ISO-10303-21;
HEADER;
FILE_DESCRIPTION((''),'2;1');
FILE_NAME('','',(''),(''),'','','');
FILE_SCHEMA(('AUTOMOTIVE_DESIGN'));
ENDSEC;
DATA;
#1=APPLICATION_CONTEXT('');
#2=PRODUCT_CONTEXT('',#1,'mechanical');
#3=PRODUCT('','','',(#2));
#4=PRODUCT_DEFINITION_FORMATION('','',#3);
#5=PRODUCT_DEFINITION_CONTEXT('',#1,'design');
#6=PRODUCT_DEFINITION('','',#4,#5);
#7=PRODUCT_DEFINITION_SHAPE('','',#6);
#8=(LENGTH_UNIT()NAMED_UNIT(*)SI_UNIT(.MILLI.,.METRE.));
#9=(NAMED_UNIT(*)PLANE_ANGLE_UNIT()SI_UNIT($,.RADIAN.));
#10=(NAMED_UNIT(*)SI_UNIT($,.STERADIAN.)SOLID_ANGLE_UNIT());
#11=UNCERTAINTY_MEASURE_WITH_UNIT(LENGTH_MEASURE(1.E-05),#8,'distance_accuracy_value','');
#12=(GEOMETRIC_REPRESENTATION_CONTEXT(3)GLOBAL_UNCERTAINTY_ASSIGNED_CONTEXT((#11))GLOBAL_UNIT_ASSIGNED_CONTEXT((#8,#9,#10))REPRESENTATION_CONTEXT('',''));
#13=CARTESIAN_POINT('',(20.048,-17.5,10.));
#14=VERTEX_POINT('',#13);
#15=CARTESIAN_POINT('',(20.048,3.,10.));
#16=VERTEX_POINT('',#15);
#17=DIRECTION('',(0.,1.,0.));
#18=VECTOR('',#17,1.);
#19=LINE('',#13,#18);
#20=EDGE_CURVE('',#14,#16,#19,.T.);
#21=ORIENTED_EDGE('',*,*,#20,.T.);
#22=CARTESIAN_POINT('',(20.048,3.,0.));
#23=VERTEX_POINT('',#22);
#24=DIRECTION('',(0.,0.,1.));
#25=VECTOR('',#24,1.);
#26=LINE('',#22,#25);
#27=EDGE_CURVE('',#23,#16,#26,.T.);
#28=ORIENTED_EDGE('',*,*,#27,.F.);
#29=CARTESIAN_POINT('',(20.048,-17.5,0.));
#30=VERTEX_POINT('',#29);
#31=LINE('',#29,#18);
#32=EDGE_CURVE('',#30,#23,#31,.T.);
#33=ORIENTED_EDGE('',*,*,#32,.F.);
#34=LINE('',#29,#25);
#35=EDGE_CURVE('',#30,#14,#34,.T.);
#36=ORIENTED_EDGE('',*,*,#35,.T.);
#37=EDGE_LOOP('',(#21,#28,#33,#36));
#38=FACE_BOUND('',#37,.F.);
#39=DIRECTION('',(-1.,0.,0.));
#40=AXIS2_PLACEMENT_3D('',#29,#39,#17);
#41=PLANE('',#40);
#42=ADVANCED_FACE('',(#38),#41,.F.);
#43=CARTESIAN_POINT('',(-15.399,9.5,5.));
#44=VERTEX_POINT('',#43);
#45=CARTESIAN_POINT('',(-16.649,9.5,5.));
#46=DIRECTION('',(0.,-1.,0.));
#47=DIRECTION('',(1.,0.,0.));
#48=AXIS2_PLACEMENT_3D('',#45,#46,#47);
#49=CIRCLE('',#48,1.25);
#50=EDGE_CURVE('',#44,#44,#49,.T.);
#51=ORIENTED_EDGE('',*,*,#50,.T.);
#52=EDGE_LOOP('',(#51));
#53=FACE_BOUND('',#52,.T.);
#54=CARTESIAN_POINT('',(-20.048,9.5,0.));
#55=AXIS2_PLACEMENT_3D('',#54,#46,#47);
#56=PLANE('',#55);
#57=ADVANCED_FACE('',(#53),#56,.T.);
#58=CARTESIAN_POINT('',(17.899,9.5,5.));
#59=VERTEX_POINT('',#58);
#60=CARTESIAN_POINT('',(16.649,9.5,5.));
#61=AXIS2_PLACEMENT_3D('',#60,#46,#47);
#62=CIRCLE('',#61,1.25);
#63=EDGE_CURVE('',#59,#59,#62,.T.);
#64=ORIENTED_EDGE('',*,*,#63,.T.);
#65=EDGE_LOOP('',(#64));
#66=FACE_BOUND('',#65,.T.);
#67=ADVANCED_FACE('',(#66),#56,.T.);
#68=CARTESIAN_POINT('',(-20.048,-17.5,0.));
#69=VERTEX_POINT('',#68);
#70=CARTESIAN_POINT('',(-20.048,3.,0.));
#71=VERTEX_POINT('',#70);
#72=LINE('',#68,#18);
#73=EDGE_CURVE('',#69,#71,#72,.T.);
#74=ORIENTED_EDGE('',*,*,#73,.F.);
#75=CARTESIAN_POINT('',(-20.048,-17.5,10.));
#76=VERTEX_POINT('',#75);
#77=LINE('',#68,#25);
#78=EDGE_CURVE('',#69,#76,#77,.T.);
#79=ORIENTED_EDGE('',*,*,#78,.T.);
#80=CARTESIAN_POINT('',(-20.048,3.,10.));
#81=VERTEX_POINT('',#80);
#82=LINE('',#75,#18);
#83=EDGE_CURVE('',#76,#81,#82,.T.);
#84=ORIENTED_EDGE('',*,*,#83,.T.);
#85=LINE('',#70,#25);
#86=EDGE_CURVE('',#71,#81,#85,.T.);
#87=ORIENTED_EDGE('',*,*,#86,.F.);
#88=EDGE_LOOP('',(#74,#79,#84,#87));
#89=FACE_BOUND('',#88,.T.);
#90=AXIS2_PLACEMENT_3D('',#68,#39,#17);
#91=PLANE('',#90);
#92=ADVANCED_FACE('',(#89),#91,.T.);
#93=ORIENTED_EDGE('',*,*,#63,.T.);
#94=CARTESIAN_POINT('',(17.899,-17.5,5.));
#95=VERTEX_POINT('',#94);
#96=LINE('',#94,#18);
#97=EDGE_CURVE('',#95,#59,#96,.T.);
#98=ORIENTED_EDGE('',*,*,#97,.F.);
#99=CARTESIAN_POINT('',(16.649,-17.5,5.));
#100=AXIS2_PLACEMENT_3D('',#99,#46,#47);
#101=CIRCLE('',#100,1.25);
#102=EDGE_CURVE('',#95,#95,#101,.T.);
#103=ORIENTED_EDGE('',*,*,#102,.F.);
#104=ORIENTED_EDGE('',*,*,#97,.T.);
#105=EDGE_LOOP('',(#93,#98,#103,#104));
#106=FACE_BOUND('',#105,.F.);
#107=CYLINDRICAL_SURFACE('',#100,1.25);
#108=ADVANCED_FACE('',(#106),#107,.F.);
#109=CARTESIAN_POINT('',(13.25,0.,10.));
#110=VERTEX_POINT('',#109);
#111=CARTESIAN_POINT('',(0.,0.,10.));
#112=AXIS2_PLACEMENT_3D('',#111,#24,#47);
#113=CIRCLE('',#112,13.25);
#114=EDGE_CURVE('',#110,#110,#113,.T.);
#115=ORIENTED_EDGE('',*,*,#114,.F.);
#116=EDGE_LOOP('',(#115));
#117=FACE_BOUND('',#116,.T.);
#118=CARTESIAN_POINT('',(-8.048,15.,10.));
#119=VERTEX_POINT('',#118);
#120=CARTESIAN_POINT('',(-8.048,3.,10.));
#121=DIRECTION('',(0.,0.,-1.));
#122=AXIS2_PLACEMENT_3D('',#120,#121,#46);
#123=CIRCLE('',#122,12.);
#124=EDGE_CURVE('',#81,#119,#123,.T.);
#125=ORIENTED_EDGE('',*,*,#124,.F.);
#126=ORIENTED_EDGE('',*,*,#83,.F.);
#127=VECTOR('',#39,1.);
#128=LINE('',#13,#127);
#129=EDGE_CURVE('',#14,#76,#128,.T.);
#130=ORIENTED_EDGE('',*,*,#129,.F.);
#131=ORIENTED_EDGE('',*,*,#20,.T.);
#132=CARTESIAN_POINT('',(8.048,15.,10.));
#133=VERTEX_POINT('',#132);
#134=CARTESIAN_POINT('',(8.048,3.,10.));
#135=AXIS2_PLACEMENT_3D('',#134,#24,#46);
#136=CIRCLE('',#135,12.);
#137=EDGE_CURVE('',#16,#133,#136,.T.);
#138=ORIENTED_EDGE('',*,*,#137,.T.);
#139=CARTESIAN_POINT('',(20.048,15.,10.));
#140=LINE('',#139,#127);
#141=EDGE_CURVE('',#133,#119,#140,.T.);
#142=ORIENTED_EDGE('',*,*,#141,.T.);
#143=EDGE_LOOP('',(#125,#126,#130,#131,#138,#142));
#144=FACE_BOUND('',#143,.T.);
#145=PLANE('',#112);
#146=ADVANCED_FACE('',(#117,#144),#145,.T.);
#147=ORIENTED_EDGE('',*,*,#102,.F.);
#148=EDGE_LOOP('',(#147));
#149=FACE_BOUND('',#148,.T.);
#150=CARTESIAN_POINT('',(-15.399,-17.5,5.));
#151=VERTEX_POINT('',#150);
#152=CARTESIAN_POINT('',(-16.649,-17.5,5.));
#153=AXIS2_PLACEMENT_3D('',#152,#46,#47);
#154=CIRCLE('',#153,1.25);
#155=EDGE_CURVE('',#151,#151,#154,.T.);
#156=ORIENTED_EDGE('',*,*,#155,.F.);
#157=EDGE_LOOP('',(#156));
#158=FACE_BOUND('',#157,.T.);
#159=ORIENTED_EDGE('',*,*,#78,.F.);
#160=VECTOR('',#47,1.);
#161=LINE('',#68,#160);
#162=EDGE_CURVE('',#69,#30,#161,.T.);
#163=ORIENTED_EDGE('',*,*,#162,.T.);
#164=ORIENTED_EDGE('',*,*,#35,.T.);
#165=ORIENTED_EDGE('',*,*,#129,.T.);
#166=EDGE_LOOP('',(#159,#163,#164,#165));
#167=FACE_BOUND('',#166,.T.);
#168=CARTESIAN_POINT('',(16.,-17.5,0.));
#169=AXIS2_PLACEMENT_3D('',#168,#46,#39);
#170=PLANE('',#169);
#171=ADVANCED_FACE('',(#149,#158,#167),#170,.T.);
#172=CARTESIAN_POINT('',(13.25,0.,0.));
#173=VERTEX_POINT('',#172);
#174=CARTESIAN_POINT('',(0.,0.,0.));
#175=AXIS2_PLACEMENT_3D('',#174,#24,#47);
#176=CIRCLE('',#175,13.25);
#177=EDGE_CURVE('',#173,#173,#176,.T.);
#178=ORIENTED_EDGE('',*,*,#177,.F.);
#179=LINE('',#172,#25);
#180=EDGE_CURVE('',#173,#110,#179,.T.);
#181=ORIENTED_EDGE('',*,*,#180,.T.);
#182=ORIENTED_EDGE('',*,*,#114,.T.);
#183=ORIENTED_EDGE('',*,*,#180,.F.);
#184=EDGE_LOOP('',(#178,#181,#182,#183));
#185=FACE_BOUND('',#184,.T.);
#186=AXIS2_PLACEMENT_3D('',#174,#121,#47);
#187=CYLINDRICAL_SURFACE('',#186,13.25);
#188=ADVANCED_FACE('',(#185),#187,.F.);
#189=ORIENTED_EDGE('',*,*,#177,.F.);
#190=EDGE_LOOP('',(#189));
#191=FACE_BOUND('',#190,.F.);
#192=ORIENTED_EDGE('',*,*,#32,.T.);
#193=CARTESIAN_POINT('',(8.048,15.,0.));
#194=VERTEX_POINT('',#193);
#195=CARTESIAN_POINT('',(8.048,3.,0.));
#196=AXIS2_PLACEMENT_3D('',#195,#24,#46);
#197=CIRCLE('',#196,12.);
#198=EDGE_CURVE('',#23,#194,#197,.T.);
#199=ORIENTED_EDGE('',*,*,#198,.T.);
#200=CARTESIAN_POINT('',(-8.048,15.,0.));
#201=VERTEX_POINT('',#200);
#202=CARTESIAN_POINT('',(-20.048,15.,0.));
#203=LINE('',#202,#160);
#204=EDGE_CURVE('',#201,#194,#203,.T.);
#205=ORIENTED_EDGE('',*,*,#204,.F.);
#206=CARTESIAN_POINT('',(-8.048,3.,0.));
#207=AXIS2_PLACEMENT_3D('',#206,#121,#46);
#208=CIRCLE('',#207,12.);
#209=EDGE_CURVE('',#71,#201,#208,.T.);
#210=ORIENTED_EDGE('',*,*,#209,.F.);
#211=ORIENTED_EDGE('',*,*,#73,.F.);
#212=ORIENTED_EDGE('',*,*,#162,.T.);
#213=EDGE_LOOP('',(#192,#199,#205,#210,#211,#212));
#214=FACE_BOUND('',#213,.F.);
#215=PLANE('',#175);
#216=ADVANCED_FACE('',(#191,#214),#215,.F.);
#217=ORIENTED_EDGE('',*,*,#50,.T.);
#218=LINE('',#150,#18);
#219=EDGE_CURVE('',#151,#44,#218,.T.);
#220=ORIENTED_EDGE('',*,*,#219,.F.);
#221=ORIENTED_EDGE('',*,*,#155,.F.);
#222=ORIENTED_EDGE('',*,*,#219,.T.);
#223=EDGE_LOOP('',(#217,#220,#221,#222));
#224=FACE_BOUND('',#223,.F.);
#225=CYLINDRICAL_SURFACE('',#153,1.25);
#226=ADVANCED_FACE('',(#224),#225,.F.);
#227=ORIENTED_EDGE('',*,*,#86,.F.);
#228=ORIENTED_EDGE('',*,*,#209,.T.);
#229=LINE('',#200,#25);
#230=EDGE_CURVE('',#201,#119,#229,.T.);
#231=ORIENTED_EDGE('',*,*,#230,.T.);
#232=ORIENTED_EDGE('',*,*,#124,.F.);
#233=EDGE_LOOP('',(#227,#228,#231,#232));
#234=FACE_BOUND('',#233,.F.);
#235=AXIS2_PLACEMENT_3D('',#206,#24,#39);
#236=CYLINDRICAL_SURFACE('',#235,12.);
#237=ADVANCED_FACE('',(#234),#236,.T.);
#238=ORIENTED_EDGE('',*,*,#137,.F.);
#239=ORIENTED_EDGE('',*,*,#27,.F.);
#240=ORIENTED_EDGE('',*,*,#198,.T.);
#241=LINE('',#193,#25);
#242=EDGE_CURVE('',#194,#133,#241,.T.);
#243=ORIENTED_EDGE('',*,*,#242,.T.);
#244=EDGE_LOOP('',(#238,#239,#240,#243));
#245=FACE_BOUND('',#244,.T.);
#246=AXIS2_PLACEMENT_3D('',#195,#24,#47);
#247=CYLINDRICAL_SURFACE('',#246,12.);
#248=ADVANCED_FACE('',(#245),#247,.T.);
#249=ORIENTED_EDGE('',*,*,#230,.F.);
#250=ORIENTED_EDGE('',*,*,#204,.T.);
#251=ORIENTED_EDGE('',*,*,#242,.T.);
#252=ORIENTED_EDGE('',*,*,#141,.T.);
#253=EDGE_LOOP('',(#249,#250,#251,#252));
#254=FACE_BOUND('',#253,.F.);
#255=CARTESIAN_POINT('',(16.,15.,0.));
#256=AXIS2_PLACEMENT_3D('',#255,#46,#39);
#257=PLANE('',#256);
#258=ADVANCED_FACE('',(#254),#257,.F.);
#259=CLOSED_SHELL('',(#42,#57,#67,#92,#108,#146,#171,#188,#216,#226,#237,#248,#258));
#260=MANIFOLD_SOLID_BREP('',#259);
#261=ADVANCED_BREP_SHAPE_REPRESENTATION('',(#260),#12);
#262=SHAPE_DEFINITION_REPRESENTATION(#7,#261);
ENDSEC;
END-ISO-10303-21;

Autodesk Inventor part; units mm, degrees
ref_plane "YZ Plane" through (0, 0, 0) normal (1, 0, 0) x (0, 1, 0)
ref_plane "XZ Plane" through (0, 0, 0) normal (0, 1, 0) x (-1, 0, 0)
ref_plane "XY Plane" through (0, 0, 0) normal (0, 0, 1) x (1, 0, 0)
sketch "Sketch1" plane through (0, 0, 0) normal (0, 0, 1) x (1, 0, 0)
  line L0 (16, -17.5) -> (16, 15)
  line L1 (-16, 15) -> (-16, -17.5)
  circle A0 centre (0, 0) radius 13.25
  line L2 (16, -17.5) -> (-16, -17.5)
  line L3 (-16, -17.5) -> (-16, 15)
  line L4 (16, 15) -> (-16, 15)
  dimension "d2" = 26.5
  dimension "d4" = 17.5
  dimension "d5" = 32.5
extrude "Extrusion1" add sketch "Sketch1" along normal blind 10
sketch "Sketch2" plane through (0, 0, 0) normal (0, 0, -1) x (-1, 0, 0)
  point P0 (0, 0)
sketch "Sketch3" plane through (0, 0, 0) normal (0, 0, -1) x (-1, 0, 0)
  line L0 (16, 15) -> (16, -17.5) projected
  line L1 (17.8498, -17.5) -> (20.048, -17.5)
  line L2 (20.048, -17.5) -> (20.048, 15)
  line L3 (20.048, 15) -> (16, 15)
  line L4 (-16, 15) -> (16, 15) projected
  line L5 (16, -17.5) -> (16, 15)
  line L6 (0, 0) -> (0, 7.3422)
  line L7 (-16, 15) -> (-16, -17.5)
  line L8 (-17.8498, -17.5) -> (-20.048, -17.5)
  line L9 (-20.048, -17.5) -> (-20.048, 15)
  line L10 (-20.048, 15) -> (-16, 15)
  line L11 (17.8498, -17.5) -> (16, -17.5)
  line L12 (16, 15) -> (16, -17.5) projected
  line L13 (20.048, 15) -> (16, 15)
  line L14 (16, -17.5) -> (-16, -17.5) projected
  line L15 (-17.8498, -17.5) -> (-16, -17.5)
extrude "Extrusion2" add sketch "Sketch3" against normal up to surface (10 mm away) contours L3 L2 L1 L11 L0 | L7 L15 L8 L9 L10
sketch "Sketch4" plane through (-20.048, -17.5, 0) normal (0, -1, 0) x (1, 0, 0)
  line L0 (40.0961, 0) -> (0, 0) projected
  line L1 (40.0961, 10) -> (0, 10) projected
  circle A0 centre (3.399, 5) radius 1.25
  circle A1 centre (36.697, 5) radius 1.25
  point P0 (20.048, 0)
  dimension "d11" = 2.5
extrude "Extrusion3" cut sketch "Sketch4" against normal blind 27
fillet "Fillet1" radius 12 2 edges at (20.048, 15, 5) (-20.048, 15, 5)
sketch "Sketch5" plane through (-20.048, -17.5, 0) normal (0, -1, 0) x (1, 0, 0)
  circle A0 centre (3.399, 5) radius 1.25 projected
  circle A1 centre (36.697, 5) radius 1.25 projected
  point P0 (20.048, 0)
  dimension "d15" = 33.298
properties part number "motor holder"
